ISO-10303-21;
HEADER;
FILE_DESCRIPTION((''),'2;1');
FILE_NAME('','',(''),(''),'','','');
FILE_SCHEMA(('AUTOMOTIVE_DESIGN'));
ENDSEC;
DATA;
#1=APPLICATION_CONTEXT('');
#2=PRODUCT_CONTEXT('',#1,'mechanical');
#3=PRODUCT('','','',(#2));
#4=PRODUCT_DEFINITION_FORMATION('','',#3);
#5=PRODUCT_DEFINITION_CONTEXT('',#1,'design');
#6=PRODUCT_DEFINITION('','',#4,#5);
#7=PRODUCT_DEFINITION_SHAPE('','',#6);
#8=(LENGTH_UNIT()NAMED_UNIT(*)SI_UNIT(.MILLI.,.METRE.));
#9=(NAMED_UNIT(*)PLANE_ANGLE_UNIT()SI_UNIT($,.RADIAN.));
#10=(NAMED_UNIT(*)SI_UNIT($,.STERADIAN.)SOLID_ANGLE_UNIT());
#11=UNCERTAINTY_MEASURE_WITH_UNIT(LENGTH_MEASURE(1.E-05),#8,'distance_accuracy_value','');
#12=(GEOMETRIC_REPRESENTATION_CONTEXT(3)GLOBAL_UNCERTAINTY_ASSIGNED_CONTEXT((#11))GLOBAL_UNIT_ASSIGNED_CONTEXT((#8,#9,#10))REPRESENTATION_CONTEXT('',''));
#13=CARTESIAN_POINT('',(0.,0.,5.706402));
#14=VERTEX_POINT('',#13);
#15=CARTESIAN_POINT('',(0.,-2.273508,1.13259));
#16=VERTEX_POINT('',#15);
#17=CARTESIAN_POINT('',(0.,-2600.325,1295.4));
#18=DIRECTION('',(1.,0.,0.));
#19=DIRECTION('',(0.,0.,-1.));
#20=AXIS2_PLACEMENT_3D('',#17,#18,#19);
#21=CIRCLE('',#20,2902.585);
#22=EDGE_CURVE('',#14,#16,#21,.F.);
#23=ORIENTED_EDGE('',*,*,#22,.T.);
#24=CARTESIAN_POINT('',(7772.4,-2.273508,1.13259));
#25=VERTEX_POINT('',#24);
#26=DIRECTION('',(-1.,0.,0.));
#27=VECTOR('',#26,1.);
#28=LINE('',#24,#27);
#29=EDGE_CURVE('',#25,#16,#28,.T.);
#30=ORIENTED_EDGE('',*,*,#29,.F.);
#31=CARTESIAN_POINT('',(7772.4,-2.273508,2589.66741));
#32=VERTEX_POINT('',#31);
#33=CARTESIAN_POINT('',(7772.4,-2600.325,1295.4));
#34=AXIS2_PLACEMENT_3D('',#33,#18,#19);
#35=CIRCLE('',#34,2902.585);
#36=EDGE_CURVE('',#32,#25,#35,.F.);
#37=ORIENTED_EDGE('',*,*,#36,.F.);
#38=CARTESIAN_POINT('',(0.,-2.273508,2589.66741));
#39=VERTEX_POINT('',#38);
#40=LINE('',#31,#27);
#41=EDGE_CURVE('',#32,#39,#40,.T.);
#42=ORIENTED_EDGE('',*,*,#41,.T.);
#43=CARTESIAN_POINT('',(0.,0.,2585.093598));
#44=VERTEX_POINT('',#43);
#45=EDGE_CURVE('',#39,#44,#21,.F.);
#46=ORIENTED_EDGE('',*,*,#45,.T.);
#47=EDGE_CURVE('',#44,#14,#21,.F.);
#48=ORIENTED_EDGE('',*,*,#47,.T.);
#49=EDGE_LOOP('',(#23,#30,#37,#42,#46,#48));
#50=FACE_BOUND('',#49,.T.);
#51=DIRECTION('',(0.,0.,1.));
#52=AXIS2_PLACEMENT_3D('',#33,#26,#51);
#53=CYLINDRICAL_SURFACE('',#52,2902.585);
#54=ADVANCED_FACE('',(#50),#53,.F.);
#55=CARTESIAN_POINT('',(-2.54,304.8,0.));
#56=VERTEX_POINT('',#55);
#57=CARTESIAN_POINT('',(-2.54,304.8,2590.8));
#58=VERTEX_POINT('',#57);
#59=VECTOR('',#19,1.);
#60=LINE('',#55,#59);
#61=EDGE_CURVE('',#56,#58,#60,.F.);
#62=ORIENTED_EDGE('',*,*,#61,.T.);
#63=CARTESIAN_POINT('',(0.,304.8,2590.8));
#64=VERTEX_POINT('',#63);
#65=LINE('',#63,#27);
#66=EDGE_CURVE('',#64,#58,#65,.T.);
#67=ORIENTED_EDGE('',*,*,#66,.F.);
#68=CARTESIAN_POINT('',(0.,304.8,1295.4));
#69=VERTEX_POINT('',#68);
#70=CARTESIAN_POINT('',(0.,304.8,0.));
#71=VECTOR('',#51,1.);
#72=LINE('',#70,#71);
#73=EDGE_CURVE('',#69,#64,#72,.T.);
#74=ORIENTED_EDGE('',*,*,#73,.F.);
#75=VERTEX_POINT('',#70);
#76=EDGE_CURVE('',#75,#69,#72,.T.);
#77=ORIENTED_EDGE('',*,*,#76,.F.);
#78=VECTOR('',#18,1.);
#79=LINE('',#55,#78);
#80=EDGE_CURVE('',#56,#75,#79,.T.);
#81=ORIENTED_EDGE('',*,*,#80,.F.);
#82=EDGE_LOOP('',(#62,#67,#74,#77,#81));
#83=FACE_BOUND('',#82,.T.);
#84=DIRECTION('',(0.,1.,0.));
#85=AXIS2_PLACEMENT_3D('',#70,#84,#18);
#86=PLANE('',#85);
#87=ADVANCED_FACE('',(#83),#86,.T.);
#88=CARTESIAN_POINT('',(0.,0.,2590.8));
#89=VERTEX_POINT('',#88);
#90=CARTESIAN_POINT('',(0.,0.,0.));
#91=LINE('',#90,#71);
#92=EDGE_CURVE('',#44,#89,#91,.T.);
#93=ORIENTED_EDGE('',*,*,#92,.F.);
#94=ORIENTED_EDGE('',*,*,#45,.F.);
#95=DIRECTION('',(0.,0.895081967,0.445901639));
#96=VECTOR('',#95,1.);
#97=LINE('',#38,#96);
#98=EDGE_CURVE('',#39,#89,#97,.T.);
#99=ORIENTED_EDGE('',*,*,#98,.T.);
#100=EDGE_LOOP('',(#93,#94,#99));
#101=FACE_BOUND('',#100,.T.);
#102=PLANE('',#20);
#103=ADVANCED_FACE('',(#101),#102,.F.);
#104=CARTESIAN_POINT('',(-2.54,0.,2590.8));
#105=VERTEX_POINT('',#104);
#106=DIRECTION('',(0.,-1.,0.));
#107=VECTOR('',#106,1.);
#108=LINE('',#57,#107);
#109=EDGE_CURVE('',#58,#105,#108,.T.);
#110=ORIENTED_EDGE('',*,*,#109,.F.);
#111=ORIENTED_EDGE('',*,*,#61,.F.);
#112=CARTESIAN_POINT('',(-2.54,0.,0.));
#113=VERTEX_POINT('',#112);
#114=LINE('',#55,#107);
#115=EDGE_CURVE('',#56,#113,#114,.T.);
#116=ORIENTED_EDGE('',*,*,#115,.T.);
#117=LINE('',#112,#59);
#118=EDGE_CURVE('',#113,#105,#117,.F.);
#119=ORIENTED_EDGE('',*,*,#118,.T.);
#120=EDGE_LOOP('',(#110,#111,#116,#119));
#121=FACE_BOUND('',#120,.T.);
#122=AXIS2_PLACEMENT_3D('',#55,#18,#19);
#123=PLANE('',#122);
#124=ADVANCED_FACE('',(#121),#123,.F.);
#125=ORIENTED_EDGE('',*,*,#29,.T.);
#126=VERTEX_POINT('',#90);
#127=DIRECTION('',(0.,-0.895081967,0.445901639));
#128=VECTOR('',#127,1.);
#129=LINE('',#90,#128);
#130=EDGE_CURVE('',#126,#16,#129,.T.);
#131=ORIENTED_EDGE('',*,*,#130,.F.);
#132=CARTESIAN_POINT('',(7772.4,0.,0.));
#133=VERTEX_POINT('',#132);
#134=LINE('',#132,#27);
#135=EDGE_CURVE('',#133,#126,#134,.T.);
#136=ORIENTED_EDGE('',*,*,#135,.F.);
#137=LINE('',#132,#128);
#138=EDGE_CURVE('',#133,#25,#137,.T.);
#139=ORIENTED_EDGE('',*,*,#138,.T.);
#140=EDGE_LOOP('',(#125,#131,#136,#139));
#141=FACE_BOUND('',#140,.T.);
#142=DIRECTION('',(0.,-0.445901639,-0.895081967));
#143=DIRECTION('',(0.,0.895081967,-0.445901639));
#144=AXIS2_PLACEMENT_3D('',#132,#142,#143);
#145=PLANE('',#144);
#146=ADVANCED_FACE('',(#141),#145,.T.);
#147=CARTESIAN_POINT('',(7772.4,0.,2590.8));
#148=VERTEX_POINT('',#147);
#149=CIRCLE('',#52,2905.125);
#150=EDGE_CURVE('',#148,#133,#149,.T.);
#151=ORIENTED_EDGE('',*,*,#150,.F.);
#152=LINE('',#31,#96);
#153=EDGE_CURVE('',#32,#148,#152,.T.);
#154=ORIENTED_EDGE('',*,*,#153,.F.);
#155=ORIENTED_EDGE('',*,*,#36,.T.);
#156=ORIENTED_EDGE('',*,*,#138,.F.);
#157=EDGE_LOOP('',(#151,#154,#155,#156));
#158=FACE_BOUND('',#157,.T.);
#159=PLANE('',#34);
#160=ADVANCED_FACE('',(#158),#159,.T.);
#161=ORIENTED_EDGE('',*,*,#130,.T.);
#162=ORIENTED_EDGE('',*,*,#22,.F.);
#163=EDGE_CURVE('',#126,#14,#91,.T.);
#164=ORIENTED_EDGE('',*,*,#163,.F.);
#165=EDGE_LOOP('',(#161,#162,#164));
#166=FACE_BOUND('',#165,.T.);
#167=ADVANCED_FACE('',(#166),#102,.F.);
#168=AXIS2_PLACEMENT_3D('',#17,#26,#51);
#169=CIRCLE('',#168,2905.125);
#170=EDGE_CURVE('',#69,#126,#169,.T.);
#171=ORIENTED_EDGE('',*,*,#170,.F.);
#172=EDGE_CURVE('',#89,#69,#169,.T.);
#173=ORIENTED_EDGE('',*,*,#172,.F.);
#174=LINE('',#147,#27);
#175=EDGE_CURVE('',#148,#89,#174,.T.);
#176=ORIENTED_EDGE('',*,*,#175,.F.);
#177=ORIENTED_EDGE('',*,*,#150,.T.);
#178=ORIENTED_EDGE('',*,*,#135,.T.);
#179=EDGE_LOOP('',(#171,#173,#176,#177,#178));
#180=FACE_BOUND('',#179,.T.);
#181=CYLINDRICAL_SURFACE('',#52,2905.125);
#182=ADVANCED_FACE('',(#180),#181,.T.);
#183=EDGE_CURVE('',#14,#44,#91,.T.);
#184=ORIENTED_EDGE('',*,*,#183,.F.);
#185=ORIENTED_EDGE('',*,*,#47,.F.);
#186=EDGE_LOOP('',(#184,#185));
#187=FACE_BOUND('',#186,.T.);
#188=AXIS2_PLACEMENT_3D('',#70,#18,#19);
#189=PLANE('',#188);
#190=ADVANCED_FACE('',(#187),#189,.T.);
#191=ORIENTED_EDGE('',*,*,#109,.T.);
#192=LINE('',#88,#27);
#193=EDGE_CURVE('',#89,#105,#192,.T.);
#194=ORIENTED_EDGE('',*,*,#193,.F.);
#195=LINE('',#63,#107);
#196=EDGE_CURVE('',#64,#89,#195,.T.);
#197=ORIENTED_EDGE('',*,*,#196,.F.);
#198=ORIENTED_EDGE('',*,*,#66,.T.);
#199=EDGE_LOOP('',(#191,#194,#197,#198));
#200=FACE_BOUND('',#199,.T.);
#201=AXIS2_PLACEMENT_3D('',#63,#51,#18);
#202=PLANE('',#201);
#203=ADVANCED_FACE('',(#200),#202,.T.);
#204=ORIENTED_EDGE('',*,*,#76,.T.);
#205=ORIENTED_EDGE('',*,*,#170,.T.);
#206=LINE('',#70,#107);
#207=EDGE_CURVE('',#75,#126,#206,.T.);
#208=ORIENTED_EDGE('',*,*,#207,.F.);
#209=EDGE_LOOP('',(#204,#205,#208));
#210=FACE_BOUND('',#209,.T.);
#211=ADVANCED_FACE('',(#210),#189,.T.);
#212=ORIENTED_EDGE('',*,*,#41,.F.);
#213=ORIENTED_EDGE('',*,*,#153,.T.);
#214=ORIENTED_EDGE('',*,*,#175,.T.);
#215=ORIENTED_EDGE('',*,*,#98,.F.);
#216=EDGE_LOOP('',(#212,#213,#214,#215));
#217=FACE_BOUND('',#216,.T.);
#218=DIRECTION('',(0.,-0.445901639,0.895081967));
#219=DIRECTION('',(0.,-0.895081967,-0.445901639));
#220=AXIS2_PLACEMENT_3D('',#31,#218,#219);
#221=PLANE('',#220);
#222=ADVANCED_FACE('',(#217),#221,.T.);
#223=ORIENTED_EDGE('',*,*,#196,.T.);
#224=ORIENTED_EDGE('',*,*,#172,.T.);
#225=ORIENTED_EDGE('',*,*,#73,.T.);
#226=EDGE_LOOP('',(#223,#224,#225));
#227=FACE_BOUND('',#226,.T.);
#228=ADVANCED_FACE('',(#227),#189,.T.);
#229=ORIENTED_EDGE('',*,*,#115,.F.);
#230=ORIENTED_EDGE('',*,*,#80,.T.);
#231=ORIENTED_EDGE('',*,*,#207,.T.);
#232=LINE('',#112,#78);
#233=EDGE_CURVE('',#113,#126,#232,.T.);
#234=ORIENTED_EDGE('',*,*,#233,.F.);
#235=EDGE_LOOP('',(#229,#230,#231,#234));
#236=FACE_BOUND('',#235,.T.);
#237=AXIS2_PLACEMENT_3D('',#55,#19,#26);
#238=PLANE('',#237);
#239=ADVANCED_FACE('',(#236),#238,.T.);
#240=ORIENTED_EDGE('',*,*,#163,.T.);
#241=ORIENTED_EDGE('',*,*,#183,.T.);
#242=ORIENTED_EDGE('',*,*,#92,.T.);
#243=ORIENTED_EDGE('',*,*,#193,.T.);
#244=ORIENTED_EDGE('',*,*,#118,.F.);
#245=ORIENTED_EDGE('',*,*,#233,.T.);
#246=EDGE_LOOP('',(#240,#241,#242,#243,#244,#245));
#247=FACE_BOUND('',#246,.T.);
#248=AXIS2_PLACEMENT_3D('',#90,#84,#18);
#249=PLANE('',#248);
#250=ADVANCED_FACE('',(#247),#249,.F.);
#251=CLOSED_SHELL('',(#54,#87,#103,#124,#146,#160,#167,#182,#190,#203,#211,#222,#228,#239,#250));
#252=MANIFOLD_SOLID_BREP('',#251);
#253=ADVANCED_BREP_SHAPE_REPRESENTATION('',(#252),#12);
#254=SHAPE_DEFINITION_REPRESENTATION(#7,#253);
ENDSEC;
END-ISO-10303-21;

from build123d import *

# Parameters (mm, degrees)
SKETCH1_W           = 2.54
SKETCH1_H           = 2590.8
EXTRUDE_THIN1_DEPTH = 304.8
EXTRUDE_THIN2_DEPTH = 7772.4


with BuildPart() as part:
    # Sketch1 → Extrude-Thin1 (new body)
    with BuildSketch(Plane(origin=(0, 0, 0), x_dir=(1, 0, 0), z_dir=(0, 1, 0))):
        with Locations((-1.27, -1295.4)):
            Rectangle(SKETCH1_W, SKETCH1_H)
    extrude(amount=EXTRUDE_THIN1_DEPTH)

    # Sketch3 → Extrude-Thin2 (add)
    with BuildSketch(Plane(origin=(0, 0, 0), x_dir=(0, 0, -1), z_dir=(1, 0, 0))):
        with BuildLine():
            ThreePointArc((-2590.8, 0), (-1295.4, 304.8), (0, 0))
            Line((0, 0), (-1.132590164, -2.273508197))
            ThreePointArc((-1.132590164, -2.273508197), (-1295.4, 302.26), (-2589.667409836, -2.273508197))
            Line((-2589.667409836, -2.273508197), (-2590.8, 0))
        make_face()
    extrude(amount=EXTRUDE_THIN2_DEPTH)


solid = part.part
